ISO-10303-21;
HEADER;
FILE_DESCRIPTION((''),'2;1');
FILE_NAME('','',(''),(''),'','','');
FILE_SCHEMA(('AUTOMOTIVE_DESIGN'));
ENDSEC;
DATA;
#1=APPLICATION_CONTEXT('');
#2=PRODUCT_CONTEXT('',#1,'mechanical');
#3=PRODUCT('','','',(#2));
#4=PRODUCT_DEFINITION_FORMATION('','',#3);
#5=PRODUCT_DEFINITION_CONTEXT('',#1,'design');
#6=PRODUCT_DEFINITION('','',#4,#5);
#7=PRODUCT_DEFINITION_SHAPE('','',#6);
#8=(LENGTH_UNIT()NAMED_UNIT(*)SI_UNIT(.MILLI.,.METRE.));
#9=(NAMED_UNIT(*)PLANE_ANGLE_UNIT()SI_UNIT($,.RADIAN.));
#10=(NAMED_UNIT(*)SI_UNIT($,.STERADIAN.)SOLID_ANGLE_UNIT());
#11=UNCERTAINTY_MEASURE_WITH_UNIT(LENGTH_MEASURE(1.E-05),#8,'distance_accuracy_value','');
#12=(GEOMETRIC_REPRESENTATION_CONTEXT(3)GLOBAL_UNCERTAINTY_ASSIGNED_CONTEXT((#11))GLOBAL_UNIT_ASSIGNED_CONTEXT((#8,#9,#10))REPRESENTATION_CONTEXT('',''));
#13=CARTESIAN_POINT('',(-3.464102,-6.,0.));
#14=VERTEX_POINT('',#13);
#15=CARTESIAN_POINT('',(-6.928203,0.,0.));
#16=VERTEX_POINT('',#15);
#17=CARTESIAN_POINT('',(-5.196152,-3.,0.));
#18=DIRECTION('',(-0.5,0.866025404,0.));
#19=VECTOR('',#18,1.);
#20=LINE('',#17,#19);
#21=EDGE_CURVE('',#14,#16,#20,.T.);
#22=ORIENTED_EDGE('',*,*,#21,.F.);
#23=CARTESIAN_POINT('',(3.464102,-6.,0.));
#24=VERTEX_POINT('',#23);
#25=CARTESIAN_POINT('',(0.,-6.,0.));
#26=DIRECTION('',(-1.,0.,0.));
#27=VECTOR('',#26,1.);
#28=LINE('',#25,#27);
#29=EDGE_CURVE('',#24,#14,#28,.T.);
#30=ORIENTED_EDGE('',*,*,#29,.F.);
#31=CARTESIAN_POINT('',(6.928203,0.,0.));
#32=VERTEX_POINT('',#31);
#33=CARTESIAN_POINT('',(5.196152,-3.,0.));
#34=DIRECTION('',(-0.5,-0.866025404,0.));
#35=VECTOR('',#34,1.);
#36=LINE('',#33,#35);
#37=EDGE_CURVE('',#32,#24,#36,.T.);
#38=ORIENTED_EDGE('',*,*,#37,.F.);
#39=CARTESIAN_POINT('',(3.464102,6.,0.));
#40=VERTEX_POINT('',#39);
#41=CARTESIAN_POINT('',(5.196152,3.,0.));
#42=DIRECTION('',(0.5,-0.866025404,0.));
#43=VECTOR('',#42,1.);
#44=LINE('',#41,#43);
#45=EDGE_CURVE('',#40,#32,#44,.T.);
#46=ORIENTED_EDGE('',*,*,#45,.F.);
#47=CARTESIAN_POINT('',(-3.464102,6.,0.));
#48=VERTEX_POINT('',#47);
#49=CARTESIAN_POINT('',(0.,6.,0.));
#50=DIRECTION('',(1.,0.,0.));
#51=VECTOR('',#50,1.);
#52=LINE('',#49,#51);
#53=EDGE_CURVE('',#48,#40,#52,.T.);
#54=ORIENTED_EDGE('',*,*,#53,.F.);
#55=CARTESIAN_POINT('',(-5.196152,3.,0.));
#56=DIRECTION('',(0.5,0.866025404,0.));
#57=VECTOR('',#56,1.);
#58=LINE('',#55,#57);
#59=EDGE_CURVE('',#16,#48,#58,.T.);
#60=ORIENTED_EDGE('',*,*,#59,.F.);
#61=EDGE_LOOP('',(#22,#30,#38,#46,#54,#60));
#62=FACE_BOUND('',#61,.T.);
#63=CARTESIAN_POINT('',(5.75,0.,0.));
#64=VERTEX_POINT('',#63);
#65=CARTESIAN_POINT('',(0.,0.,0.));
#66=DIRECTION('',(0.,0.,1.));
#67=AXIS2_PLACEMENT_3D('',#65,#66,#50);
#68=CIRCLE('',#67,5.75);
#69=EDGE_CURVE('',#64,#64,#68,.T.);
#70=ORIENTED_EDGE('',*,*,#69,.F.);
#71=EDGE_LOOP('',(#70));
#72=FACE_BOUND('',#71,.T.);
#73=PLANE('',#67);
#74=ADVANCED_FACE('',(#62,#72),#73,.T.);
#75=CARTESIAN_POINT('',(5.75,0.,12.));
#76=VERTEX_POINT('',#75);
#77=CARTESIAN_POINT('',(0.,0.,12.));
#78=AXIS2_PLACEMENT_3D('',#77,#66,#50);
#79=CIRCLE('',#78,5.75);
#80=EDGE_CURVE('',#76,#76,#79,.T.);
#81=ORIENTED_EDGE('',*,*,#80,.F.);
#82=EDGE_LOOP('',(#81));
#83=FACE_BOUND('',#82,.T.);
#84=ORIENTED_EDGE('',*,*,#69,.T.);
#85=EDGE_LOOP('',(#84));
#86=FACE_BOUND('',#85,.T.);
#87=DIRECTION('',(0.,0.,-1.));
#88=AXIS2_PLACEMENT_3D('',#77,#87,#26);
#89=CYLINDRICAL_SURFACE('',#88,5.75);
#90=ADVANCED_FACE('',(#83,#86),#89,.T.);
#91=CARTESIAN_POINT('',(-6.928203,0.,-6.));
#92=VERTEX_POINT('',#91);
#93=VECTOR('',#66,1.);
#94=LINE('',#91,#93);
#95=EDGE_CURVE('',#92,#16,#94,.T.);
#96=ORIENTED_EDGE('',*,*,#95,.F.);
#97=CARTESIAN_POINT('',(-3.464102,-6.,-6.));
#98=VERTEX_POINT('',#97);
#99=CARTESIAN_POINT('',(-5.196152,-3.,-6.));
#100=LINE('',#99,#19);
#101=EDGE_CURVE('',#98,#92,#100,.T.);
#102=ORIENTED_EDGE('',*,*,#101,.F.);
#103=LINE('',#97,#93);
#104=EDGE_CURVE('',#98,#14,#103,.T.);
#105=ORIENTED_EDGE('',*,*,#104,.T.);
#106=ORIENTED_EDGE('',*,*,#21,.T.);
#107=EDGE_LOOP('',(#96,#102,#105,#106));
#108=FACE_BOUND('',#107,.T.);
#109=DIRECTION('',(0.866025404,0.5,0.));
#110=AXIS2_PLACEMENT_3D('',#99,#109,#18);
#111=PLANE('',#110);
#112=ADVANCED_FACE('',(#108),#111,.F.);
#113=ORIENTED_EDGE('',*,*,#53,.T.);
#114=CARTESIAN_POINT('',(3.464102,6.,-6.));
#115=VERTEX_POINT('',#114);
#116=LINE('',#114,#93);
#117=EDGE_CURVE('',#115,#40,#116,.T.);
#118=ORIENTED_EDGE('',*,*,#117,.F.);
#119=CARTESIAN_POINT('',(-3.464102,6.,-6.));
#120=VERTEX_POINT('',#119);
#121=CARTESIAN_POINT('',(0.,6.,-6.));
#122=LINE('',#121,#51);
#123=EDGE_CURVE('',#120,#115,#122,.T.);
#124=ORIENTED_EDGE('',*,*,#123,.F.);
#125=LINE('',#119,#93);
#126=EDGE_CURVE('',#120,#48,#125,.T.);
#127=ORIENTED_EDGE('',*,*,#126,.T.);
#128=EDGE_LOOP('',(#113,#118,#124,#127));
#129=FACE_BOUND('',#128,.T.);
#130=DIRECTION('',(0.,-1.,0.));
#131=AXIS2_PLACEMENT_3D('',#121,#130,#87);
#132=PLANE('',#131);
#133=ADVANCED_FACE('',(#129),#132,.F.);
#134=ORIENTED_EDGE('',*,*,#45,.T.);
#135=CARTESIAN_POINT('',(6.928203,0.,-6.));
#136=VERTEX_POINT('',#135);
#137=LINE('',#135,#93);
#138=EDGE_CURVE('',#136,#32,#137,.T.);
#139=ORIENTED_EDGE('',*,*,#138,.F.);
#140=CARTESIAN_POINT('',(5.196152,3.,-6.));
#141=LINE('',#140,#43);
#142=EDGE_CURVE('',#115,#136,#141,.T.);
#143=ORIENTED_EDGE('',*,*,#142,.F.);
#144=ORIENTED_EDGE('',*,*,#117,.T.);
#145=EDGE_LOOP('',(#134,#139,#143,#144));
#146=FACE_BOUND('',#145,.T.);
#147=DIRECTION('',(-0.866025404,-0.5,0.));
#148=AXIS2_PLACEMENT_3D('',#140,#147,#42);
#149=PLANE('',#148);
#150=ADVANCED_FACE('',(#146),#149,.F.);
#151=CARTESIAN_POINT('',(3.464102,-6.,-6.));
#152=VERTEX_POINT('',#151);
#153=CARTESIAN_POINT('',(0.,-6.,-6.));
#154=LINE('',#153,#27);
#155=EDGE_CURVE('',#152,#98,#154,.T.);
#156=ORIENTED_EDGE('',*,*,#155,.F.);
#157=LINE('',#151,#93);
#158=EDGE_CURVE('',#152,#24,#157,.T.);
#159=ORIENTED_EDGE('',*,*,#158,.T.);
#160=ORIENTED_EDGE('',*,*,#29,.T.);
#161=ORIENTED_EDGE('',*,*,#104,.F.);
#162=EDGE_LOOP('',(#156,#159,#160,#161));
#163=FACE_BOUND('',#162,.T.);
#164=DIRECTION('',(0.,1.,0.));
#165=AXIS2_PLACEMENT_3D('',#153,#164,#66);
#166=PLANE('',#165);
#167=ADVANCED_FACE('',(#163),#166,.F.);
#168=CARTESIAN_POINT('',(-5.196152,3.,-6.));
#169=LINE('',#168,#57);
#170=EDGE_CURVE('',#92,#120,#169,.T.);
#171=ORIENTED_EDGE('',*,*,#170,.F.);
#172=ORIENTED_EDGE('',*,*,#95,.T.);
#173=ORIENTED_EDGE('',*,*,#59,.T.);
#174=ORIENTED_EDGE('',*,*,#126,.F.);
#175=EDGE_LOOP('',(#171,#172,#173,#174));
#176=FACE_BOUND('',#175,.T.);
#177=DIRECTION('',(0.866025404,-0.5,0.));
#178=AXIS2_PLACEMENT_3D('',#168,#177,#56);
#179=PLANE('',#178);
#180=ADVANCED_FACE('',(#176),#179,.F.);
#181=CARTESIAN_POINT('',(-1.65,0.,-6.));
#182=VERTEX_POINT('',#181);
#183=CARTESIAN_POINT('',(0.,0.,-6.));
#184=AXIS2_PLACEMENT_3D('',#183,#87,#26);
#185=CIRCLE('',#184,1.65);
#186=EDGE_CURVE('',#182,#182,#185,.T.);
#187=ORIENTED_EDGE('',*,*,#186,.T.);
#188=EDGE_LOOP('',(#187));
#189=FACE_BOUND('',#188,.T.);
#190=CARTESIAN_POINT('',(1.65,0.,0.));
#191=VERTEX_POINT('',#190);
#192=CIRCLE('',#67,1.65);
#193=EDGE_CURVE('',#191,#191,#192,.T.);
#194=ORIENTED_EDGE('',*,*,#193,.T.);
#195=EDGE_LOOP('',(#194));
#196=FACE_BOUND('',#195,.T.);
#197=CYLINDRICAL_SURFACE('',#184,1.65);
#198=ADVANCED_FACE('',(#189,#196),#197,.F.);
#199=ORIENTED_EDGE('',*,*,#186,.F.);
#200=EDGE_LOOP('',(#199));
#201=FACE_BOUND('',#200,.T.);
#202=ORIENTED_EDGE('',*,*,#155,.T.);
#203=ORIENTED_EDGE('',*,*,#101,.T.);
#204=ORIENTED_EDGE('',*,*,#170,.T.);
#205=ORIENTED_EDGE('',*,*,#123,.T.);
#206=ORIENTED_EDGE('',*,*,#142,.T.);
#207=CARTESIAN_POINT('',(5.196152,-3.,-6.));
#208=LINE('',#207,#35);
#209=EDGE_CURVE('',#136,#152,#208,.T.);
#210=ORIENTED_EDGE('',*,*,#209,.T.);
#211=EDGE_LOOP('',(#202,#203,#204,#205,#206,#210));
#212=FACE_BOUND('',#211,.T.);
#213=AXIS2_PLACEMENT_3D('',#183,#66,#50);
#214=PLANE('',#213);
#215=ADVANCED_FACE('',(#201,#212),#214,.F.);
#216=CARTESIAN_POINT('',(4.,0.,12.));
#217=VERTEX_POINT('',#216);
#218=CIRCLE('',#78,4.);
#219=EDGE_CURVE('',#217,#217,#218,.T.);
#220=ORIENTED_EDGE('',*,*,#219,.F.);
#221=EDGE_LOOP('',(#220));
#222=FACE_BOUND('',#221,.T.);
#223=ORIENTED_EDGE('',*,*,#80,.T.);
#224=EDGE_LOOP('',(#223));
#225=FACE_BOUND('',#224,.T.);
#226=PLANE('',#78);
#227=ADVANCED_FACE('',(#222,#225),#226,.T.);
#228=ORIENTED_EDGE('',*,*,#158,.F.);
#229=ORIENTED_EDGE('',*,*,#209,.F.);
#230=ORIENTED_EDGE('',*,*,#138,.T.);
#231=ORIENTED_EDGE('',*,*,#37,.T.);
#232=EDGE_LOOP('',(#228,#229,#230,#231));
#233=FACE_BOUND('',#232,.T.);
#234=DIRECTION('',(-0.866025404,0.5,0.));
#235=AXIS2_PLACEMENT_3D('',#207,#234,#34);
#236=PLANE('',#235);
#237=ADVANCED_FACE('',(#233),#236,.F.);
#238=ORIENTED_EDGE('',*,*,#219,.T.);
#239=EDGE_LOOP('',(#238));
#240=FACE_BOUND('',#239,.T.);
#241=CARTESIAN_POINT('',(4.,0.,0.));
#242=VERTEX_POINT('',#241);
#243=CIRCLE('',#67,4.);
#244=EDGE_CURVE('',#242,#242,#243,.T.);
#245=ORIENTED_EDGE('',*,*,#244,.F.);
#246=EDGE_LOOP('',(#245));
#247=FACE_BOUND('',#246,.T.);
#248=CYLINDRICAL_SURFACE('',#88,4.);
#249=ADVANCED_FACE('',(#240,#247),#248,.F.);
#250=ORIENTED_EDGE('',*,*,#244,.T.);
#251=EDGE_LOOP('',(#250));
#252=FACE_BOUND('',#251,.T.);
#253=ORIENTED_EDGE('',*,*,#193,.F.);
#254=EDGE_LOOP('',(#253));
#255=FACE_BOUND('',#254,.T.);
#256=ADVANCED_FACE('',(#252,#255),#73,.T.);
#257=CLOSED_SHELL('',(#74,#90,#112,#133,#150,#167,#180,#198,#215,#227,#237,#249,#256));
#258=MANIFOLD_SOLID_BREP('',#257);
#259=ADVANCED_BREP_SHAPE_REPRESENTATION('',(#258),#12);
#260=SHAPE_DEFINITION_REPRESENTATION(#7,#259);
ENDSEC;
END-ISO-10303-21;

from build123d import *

# Parameters (mm, degrees)
SKETCH2_R             = 5.75
SKETCH2_R_2           = 4
BOSS_EXTRUDE1_DEPTH   = 12
BOSS_EXTRUDE2_DEPTH   = 6
M4X0_7_TAPPED_HOLE1_D = 3.3


with BuildPart() as part:
    # Sketch2 → Boss-Extrude1 (new body)
    with BuildSketch(Plane.XY):
        Circle(SKETCH2_R)
        Circle(SKETCH2_R_2, mode=Mode.SUBTRACT)
    extrude(amount=BOSS_EXTRUDE1_DEPTH)

    # Sketch3 → Boss-Extrude2 (add)
    with BuildSketch(Plane.XY):
        Polygon((-6.92820323, 0), (-3.464101615, 6), (3.464101615, 6), (6.92820323, 0), (3.464101615, -6), (-3.464101615, -6), align=None)
    extrude(amount=-BOSS_EXTRUDE2_DEPTH)

    # M4x0.7 Tapped Hole1 (through all)
    with Locations(Plane(origin=(0, 0, -6), x_dir=(-1, 0, 0), z_dir=(0, 0, -1))):
        with Locations((0, 0)):
            Hole(M4X0_7_TAPPED_HOLE1_D / 2)


solid = part.part
